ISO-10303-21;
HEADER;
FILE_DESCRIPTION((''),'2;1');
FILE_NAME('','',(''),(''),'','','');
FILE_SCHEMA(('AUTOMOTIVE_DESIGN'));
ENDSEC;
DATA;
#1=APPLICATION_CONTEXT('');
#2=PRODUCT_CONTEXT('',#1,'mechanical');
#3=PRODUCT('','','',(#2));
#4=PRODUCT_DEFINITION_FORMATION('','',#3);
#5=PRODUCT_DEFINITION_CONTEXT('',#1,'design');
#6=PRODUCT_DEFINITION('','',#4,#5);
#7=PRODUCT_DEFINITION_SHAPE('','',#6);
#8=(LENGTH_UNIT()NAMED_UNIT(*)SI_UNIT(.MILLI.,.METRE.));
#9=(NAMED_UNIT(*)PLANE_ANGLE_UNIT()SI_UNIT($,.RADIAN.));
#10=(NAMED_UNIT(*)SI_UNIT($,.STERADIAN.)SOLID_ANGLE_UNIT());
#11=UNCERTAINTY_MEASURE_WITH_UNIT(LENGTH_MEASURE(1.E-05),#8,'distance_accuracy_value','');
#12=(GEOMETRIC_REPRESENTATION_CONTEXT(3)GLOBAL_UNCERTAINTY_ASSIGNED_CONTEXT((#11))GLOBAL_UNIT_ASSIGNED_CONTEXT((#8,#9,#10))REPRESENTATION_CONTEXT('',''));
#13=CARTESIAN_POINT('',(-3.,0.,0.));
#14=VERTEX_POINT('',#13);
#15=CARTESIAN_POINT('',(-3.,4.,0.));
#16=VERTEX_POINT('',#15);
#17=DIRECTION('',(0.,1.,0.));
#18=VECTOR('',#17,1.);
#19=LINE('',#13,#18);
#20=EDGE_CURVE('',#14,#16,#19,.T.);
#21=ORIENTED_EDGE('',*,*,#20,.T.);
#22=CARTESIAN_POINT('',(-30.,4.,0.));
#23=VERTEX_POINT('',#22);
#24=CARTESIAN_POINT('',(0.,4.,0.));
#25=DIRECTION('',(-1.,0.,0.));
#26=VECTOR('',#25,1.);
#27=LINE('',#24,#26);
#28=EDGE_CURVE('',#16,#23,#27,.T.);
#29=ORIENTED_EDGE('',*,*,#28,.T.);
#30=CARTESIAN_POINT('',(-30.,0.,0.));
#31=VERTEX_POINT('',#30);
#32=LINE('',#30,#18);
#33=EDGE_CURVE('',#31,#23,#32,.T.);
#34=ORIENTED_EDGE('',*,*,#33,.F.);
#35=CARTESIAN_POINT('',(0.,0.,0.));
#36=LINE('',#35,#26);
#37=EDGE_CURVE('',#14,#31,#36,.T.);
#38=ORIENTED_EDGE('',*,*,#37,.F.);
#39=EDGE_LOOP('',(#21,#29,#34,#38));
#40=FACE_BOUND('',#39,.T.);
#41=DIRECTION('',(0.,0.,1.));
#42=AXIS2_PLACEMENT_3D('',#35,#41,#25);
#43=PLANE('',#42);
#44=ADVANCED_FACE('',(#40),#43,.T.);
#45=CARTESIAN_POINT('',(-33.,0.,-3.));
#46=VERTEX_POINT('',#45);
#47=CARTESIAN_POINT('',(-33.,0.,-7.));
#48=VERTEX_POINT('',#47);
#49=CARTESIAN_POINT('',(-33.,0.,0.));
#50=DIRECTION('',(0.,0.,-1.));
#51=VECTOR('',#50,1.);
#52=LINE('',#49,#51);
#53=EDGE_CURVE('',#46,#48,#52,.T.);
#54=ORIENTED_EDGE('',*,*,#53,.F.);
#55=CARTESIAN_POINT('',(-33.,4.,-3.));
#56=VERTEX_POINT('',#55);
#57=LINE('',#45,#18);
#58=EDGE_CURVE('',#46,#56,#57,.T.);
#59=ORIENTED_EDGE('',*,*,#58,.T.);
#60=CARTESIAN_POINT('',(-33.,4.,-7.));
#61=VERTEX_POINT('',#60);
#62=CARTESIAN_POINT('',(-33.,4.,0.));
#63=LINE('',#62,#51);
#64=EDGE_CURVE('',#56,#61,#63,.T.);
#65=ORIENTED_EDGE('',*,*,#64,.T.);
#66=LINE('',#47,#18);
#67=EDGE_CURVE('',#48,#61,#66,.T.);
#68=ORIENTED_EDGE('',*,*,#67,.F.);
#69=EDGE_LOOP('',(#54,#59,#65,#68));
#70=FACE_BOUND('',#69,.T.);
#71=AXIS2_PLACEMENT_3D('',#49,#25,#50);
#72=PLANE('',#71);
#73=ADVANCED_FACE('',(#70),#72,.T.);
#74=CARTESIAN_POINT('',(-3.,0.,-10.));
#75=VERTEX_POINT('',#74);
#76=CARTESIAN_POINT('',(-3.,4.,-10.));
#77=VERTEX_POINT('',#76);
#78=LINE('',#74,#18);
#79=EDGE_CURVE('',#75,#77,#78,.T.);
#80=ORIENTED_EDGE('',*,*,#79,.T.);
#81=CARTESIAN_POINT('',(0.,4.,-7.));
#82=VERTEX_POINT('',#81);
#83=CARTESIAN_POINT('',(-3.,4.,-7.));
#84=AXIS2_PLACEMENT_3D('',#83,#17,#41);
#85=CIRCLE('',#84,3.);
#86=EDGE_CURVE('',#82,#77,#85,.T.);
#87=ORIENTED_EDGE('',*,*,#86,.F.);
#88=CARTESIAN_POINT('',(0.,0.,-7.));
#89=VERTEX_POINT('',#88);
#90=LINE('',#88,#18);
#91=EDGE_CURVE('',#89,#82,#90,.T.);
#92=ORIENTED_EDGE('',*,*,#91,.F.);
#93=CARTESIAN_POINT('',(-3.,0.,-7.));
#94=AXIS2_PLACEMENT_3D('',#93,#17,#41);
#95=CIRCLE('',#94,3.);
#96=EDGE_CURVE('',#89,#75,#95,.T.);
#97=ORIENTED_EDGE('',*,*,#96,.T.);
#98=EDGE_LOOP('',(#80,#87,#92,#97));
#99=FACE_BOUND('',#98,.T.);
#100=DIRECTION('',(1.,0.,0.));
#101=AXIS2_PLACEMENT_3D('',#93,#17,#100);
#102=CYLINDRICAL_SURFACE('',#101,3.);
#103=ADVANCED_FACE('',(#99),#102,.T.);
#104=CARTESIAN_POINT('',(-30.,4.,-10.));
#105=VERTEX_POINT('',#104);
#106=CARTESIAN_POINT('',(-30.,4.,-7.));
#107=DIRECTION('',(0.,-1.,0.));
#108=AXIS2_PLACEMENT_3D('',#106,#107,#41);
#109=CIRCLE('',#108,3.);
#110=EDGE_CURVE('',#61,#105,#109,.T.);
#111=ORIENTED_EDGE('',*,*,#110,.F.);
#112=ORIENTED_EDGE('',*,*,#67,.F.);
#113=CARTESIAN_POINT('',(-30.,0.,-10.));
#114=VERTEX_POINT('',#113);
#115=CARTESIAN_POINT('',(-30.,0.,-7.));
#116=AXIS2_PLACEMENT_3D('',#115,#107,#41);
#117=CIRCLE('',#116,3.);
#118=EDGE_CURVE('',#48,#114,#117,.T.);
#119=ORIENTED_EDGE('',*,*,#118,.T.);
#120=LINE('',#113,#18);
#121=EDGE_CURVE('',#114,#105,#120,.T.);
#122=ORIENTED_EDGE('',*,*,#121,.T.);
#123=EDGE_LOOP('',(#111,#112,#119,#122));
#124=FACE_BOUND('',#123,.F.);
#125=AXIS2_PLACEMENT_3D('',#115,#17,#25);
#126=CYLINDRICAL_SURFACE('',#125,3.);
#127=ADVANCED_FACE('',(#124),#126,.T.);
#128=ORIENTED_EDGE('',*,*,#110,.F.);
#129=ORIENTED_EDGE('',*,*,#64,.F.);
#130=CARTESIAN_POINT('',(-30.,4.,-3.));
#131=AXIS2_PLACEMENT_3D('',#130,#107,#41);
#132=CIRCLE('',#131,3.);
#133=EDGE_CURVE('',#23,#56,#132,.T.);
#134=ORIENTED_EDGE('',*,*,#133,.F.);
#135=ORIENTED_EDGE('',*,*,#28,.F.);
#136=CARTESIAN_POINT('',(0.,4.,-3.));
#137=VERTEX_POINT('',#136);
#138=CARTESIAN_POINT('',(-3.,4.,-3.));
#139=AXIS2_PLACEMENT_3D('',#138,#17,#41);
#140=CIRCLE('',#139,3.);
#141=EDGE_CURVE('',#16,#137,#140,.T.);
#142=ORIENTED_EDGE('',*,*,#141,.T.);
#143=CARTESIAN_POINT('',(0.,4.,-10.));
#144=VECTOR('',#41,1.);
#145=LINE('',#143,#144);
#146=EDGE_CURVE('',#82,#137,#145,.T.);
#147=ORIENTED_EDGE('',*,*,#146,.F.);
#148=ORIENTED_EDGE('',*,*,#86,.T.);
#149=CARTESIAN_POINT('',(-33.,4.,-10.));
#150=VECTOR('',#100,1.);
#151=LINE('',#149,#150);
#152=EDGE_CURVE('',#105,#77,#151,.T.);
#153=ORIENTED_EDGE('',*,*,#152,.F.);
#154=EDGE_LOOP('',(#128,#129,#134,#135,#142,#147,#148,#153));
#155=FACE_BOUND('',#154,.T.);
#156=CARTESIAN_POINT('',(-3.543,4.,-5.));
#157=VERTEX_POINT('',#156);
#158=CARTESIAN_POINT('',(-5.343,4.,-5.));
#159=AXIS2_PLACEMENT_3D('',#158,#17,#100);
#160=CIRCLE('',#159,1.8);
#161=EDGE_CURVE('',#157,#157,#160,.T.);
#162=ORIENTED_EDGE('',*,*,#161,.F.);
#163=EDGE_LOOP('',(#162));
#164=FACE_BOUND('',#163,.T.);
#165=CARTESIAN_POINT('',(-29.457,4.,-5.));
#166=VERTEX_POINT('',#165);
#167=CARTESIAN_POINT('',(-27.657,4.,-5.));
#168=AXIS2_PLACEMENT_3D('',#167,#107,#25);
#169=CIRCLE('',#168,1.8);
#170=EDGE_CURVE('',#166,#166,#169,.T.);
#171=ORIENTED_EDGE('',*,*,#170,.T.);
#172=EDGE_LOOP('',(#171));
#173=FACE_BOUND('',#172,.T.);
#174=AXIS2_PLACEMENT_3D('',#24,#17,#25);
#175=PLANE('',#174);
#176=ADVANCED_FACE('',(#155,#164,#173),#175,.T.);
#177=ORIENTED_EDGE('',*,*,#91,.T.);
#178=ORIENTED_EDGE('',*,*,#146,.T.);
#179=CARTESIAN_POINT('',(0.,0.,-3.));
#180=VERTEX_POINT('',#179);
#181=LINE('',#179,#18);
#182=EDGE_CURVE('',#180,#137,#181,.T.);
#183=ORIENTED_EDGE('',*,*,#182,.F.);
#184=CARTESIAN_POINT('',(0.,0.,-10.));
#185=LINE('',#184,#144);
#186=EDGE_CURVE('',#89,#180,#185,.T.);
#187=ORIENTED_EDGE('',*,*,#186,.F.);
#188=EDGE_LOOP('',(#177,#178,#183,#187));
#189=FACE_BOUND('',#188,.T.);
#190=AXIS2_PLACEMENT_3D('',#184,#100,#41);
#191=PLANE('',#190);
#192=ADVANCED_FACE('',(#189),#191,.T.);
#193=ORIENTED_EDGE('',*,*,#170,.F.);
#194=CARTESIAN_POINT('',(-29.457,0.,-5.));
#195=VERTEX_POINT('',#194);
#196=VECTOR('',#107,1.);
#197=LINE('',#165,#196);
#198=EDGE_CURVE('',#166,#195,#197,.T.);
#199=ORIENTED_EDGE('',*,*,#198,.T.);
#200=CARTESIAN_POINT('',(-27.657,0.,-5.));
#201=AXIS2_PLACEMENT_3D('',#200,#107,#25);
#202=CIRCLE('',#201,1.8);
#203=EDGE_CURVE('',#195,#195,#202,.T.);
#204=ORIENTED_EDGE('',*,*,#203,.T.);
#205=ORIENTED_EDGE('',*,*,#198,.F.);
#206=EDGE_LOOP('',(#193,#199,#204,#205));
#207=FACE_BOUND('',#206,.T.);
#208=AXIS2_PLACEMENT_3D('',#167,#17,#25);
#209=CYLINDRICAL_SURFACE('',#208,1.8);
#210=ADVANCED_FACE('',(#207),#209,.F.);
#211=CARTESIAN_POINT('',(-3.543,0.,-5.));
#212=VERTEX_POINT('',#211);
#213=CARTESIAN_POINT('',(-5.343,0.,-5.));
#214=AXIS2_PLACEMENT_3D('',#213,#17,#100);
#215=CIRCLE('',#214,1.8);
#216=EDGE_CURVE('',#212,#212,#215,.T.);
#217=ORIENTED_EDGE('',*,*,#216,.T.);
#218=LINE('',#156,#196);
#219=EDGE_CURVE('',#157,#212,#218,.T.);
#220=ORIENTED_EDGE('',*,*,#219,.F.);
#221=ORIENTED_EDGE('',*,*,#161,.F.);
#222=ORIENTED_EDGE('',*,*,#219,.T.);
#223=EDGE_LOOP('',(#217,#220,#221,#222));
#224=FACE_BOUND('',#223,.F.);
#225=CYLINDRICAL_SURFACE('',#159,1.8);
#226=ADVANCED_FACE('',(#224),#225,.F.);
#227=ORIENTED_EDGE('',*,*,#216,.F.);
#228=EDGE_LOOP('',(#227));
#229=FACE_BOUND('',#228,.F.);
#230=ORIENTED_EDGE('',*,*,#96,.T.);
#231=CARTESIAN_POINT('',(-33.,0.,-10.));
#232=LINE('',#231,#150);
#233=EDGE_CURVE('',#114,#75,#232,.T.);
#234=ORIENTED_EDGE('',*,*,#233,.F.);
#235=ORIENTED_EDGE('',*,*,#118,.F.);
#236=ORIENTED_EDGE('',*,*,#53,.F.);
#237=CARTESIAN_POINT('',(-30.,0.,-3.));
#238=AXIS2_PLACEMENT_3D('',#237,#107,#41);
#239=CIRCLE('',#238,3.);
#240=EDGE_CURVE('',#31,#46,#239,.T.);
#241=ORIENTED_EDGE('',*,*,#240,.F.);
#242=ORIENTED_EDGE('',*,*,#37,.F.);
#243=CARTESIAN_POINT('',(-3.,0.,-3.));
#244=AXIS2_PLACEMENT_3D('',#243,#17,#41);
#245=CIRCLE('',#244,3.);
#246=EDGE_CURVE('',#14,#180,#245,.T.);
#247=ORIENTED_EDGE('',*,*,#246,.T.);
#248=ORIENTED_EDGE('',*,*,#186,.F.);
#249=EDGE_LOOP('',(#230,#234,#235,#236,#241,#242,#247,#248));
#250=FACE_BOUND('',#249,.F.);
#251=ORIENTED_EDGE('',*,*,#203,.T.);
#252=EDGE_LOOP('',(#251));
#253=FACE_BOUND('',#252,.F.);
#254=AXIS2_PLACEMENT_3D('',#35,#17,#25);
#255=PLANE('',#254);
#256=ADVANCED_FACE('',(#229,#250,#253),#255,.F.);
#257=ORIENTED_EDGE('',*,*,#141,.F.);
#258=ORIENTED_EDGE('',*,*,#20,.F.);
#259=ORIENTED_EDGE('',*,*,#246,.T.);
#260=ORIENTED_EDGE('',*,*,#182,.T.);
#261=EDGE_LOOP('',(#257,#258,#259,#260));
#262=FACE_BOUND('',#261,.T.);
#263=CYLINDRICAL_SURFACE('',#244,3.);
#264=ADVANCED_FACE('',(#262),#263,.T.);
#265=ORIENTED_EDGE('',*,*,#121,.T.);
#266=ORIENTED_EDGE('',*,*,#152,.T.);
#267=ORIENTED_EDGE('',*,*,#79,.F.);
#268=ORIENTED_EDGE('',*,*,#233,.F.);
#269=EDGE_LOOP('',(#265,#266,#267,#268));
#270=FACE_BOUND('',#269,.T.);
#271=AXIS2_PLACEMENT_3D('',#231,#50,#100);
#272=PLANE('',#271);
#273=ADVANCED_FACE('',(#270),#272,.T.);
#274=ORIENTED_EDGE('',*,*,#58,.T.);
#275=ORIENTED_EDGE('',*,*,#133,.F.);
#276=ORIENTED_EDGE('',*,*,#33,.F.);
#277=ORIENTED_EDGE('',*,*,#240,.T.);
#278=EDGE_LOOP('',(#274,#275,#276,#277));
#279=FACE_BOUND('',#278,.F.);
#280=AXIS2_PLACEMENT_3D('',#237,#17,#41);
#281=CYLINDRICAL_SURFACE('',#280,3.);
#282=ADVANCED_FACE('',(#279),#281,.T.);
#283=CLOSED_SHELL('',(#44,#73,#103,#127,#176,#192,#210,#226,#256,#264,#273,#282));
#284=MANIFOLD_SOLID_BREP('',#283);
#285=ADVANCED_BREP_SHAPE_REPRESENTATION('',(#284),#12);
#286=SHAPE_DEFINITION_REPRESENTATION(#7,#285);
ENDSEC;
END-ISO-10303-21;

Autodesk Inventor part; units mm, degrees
ref_plane "YZ Plane" through (0, 0, 0) normal (1, 0, 0) x (0, 1, 0)
ref_plane "XZ Plane" through (0, 0, 0) normal (0, 1, 0) x (-1, 0, 0)
sketch "Sketch1" plane through (0, 0, 0) normal (0, 1, 0) x (-1, 0, 0)
  line L0 (0, 0) -> (33, 0)
  line L1 (33, 0) -> (33, -10)
  line L2 (33, -10) -> (0, -10)
  line L3 (0, -10) -> (0, 0)
  dimension "d0" = 33
  dimension "d1" = 10
extrude "Extrusion1" add sketch "Sketch1" along normal blind 4
sketch "Sketch2" plane through (0, 4, 0) normal (0, 1, 0) x (1, 0, 0)
  circle A0 centre (-5.343, 5) radius 1.8
  point P0 (0, 0)
  dimension "d9" = 3.6
extrude "Extrusion2" cut sketch "Sketch2" against normal blind 4
ref_plane "Work Plane1" through (-16.5, 0, 0) normal (1, 0, 0) x (0, 0, -1)
mirror "Mirror1" about plane through (-16.5, 0, 0) normal (1, 0, 0) of "Extrusion2"
fillet "Fillet1" radius 3 4 edges at (-33, 2, 0) (-33, 2, -10) (0, 2, 0) (0, 2, -10)
properties part number "9 peristaltic pump clamp"
